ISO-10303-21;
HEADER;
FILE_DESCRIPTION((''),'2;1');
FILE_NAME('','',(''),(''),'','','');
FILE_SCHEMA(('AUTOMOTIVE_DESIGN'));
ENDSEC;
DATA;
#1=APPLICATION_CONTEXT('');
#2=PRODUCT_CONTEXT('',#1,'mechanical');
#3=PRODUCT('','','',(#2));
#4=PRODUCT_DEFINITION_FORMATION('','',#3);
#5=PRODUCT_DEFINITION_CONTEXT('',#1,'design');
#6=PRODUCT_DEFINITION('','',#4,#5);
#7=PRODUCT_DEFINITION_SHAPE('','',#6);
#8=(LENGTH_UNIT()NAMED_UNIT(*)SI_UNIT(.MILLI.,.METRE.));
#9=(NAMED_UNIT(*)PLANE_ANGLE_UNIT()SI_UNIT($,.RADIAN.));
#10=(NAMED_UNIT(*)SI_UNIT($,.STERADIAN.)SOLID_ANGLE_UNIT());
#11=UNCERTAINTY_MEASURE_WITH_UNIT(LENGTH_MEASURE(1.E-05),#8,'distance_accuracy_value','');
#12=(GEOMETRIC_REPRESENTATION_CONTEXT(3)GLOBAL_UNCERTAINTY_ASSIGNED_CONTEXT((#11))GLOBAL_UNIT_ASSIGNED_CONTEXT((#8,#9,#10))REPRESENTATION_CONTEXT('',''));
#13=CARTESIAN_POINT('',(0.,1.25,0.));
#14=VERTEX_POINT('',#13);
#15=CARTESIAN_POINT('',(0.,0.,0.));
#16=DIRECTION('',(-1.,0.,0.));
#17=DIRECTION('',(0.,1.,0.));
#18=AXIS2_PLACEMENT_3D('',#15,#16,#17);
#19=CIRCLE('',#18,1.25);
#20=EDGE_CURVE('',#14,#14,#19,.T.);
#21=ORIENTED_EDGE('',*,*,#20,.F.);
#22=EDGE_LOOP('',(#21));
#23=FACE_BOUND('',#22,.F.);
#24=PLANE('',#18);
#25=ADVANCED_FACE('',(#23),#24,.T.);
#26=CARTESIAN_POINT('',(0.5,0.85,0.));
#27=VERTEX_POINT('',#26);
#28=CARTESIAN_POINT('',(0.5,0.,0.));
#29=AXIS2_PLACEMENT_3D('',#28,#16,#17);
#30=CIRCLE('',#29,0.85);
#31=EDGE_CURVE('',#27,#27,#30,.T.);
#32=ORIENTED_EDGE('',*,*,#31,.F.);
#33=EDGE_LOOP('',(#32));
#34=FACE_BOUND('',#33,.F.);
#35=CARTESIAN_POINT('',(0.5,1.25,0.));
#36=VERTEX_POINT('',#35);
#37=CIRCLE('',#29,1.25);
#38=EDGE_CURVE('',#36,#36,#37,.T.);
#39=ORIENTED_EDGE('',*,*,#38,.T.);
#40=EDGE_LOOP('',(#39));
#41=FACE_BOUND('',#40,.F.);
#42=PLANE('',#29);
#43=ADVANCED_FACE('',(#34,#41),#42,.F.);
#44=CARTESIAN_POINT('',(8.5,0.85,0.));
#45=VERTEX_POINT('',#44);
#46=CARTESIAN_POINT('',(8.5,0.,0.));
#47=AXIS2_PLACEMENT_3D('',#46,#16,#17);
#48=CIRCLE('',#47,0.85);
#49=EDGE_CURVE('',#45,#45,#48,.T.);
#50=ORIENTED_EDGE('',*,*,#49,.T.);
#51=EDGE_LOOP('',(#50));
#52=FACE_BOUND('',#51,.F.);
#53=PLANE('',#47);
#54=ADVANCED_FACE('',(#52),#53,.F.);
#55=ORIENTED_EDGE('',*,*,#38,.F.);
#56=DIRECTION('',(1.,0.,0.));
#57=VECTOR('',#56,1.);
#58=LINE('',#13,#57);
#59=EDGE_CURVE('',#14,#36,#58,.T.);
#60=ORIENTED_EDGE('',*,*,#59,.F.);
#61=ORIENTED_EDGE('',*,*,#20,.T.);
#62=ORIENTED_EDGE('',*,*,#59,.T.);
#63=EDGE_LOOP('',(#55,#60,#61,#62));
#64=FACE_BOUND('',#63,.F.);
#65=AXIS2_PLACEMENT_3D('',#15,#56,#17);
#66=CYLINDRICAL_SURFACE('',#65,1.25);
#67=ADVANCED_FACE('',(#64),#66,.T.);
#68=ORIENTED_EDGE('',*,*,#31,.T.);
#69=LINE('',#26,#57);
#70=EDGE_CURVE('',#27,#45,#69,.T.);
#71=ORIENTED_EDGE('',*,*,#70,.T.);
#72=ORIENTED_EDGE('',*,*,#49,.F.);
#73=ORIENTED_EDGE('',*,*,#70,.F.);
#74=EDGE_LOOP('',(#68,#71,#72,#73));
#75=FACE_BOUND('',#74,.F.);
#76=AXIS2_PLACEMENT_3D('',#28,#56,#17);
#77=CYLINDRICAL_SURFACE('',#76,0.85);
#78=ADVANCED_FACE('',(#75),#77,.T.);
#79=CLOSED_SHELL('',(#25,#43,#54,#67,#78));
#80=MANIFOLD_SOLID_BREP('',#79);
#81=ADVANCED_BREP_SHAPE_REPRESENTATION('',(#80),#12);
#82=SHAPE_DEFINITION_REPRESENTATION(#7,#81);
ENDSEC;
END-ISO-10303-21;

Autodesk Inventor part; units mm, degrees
ref_plane "YZ Plane" through (0, 0, 0) normal (1, 0, 0) x (0, 1, 0)
ref_plane "XZ Plane" through (0, 0, 0) normal (0, 1, 0) x (-1, 0, 0)
ref_plane "XY Plane" through (0, 0, 0) normal (0, 0, 1) x (1, 0, 0)
sketch "スケッチ1" plane through (0, 0, 0) normal (0, 0, 1) x (1, 0, 0)
  line L0 (0, 0) -> (0, 1.25)
  line L1 (0, 1.25) -> (0.5, 1.25)
  line L2 (0.5, 1.25) -> (0.5, 0.85)
  line L3 (0.5, 0.85) -> (8.5, 0.85)
  line L4 (8.5, 0.85) -> (8.5, 0)
  line L5 (8.5, 0) -> (0, 0)
  dimension "d0" = 0.5
  dimension "d1" = 8
  dimension "d2" = 1.25
  dimension "d3" = 0.85
revolve "回転1" add sketch "スケッチ1" angle 360 about axis through (8.5, 0, 0) along (-1, 0, 0)
properties part number "Parts_Screw_M1.7_L8" material "鋼"
